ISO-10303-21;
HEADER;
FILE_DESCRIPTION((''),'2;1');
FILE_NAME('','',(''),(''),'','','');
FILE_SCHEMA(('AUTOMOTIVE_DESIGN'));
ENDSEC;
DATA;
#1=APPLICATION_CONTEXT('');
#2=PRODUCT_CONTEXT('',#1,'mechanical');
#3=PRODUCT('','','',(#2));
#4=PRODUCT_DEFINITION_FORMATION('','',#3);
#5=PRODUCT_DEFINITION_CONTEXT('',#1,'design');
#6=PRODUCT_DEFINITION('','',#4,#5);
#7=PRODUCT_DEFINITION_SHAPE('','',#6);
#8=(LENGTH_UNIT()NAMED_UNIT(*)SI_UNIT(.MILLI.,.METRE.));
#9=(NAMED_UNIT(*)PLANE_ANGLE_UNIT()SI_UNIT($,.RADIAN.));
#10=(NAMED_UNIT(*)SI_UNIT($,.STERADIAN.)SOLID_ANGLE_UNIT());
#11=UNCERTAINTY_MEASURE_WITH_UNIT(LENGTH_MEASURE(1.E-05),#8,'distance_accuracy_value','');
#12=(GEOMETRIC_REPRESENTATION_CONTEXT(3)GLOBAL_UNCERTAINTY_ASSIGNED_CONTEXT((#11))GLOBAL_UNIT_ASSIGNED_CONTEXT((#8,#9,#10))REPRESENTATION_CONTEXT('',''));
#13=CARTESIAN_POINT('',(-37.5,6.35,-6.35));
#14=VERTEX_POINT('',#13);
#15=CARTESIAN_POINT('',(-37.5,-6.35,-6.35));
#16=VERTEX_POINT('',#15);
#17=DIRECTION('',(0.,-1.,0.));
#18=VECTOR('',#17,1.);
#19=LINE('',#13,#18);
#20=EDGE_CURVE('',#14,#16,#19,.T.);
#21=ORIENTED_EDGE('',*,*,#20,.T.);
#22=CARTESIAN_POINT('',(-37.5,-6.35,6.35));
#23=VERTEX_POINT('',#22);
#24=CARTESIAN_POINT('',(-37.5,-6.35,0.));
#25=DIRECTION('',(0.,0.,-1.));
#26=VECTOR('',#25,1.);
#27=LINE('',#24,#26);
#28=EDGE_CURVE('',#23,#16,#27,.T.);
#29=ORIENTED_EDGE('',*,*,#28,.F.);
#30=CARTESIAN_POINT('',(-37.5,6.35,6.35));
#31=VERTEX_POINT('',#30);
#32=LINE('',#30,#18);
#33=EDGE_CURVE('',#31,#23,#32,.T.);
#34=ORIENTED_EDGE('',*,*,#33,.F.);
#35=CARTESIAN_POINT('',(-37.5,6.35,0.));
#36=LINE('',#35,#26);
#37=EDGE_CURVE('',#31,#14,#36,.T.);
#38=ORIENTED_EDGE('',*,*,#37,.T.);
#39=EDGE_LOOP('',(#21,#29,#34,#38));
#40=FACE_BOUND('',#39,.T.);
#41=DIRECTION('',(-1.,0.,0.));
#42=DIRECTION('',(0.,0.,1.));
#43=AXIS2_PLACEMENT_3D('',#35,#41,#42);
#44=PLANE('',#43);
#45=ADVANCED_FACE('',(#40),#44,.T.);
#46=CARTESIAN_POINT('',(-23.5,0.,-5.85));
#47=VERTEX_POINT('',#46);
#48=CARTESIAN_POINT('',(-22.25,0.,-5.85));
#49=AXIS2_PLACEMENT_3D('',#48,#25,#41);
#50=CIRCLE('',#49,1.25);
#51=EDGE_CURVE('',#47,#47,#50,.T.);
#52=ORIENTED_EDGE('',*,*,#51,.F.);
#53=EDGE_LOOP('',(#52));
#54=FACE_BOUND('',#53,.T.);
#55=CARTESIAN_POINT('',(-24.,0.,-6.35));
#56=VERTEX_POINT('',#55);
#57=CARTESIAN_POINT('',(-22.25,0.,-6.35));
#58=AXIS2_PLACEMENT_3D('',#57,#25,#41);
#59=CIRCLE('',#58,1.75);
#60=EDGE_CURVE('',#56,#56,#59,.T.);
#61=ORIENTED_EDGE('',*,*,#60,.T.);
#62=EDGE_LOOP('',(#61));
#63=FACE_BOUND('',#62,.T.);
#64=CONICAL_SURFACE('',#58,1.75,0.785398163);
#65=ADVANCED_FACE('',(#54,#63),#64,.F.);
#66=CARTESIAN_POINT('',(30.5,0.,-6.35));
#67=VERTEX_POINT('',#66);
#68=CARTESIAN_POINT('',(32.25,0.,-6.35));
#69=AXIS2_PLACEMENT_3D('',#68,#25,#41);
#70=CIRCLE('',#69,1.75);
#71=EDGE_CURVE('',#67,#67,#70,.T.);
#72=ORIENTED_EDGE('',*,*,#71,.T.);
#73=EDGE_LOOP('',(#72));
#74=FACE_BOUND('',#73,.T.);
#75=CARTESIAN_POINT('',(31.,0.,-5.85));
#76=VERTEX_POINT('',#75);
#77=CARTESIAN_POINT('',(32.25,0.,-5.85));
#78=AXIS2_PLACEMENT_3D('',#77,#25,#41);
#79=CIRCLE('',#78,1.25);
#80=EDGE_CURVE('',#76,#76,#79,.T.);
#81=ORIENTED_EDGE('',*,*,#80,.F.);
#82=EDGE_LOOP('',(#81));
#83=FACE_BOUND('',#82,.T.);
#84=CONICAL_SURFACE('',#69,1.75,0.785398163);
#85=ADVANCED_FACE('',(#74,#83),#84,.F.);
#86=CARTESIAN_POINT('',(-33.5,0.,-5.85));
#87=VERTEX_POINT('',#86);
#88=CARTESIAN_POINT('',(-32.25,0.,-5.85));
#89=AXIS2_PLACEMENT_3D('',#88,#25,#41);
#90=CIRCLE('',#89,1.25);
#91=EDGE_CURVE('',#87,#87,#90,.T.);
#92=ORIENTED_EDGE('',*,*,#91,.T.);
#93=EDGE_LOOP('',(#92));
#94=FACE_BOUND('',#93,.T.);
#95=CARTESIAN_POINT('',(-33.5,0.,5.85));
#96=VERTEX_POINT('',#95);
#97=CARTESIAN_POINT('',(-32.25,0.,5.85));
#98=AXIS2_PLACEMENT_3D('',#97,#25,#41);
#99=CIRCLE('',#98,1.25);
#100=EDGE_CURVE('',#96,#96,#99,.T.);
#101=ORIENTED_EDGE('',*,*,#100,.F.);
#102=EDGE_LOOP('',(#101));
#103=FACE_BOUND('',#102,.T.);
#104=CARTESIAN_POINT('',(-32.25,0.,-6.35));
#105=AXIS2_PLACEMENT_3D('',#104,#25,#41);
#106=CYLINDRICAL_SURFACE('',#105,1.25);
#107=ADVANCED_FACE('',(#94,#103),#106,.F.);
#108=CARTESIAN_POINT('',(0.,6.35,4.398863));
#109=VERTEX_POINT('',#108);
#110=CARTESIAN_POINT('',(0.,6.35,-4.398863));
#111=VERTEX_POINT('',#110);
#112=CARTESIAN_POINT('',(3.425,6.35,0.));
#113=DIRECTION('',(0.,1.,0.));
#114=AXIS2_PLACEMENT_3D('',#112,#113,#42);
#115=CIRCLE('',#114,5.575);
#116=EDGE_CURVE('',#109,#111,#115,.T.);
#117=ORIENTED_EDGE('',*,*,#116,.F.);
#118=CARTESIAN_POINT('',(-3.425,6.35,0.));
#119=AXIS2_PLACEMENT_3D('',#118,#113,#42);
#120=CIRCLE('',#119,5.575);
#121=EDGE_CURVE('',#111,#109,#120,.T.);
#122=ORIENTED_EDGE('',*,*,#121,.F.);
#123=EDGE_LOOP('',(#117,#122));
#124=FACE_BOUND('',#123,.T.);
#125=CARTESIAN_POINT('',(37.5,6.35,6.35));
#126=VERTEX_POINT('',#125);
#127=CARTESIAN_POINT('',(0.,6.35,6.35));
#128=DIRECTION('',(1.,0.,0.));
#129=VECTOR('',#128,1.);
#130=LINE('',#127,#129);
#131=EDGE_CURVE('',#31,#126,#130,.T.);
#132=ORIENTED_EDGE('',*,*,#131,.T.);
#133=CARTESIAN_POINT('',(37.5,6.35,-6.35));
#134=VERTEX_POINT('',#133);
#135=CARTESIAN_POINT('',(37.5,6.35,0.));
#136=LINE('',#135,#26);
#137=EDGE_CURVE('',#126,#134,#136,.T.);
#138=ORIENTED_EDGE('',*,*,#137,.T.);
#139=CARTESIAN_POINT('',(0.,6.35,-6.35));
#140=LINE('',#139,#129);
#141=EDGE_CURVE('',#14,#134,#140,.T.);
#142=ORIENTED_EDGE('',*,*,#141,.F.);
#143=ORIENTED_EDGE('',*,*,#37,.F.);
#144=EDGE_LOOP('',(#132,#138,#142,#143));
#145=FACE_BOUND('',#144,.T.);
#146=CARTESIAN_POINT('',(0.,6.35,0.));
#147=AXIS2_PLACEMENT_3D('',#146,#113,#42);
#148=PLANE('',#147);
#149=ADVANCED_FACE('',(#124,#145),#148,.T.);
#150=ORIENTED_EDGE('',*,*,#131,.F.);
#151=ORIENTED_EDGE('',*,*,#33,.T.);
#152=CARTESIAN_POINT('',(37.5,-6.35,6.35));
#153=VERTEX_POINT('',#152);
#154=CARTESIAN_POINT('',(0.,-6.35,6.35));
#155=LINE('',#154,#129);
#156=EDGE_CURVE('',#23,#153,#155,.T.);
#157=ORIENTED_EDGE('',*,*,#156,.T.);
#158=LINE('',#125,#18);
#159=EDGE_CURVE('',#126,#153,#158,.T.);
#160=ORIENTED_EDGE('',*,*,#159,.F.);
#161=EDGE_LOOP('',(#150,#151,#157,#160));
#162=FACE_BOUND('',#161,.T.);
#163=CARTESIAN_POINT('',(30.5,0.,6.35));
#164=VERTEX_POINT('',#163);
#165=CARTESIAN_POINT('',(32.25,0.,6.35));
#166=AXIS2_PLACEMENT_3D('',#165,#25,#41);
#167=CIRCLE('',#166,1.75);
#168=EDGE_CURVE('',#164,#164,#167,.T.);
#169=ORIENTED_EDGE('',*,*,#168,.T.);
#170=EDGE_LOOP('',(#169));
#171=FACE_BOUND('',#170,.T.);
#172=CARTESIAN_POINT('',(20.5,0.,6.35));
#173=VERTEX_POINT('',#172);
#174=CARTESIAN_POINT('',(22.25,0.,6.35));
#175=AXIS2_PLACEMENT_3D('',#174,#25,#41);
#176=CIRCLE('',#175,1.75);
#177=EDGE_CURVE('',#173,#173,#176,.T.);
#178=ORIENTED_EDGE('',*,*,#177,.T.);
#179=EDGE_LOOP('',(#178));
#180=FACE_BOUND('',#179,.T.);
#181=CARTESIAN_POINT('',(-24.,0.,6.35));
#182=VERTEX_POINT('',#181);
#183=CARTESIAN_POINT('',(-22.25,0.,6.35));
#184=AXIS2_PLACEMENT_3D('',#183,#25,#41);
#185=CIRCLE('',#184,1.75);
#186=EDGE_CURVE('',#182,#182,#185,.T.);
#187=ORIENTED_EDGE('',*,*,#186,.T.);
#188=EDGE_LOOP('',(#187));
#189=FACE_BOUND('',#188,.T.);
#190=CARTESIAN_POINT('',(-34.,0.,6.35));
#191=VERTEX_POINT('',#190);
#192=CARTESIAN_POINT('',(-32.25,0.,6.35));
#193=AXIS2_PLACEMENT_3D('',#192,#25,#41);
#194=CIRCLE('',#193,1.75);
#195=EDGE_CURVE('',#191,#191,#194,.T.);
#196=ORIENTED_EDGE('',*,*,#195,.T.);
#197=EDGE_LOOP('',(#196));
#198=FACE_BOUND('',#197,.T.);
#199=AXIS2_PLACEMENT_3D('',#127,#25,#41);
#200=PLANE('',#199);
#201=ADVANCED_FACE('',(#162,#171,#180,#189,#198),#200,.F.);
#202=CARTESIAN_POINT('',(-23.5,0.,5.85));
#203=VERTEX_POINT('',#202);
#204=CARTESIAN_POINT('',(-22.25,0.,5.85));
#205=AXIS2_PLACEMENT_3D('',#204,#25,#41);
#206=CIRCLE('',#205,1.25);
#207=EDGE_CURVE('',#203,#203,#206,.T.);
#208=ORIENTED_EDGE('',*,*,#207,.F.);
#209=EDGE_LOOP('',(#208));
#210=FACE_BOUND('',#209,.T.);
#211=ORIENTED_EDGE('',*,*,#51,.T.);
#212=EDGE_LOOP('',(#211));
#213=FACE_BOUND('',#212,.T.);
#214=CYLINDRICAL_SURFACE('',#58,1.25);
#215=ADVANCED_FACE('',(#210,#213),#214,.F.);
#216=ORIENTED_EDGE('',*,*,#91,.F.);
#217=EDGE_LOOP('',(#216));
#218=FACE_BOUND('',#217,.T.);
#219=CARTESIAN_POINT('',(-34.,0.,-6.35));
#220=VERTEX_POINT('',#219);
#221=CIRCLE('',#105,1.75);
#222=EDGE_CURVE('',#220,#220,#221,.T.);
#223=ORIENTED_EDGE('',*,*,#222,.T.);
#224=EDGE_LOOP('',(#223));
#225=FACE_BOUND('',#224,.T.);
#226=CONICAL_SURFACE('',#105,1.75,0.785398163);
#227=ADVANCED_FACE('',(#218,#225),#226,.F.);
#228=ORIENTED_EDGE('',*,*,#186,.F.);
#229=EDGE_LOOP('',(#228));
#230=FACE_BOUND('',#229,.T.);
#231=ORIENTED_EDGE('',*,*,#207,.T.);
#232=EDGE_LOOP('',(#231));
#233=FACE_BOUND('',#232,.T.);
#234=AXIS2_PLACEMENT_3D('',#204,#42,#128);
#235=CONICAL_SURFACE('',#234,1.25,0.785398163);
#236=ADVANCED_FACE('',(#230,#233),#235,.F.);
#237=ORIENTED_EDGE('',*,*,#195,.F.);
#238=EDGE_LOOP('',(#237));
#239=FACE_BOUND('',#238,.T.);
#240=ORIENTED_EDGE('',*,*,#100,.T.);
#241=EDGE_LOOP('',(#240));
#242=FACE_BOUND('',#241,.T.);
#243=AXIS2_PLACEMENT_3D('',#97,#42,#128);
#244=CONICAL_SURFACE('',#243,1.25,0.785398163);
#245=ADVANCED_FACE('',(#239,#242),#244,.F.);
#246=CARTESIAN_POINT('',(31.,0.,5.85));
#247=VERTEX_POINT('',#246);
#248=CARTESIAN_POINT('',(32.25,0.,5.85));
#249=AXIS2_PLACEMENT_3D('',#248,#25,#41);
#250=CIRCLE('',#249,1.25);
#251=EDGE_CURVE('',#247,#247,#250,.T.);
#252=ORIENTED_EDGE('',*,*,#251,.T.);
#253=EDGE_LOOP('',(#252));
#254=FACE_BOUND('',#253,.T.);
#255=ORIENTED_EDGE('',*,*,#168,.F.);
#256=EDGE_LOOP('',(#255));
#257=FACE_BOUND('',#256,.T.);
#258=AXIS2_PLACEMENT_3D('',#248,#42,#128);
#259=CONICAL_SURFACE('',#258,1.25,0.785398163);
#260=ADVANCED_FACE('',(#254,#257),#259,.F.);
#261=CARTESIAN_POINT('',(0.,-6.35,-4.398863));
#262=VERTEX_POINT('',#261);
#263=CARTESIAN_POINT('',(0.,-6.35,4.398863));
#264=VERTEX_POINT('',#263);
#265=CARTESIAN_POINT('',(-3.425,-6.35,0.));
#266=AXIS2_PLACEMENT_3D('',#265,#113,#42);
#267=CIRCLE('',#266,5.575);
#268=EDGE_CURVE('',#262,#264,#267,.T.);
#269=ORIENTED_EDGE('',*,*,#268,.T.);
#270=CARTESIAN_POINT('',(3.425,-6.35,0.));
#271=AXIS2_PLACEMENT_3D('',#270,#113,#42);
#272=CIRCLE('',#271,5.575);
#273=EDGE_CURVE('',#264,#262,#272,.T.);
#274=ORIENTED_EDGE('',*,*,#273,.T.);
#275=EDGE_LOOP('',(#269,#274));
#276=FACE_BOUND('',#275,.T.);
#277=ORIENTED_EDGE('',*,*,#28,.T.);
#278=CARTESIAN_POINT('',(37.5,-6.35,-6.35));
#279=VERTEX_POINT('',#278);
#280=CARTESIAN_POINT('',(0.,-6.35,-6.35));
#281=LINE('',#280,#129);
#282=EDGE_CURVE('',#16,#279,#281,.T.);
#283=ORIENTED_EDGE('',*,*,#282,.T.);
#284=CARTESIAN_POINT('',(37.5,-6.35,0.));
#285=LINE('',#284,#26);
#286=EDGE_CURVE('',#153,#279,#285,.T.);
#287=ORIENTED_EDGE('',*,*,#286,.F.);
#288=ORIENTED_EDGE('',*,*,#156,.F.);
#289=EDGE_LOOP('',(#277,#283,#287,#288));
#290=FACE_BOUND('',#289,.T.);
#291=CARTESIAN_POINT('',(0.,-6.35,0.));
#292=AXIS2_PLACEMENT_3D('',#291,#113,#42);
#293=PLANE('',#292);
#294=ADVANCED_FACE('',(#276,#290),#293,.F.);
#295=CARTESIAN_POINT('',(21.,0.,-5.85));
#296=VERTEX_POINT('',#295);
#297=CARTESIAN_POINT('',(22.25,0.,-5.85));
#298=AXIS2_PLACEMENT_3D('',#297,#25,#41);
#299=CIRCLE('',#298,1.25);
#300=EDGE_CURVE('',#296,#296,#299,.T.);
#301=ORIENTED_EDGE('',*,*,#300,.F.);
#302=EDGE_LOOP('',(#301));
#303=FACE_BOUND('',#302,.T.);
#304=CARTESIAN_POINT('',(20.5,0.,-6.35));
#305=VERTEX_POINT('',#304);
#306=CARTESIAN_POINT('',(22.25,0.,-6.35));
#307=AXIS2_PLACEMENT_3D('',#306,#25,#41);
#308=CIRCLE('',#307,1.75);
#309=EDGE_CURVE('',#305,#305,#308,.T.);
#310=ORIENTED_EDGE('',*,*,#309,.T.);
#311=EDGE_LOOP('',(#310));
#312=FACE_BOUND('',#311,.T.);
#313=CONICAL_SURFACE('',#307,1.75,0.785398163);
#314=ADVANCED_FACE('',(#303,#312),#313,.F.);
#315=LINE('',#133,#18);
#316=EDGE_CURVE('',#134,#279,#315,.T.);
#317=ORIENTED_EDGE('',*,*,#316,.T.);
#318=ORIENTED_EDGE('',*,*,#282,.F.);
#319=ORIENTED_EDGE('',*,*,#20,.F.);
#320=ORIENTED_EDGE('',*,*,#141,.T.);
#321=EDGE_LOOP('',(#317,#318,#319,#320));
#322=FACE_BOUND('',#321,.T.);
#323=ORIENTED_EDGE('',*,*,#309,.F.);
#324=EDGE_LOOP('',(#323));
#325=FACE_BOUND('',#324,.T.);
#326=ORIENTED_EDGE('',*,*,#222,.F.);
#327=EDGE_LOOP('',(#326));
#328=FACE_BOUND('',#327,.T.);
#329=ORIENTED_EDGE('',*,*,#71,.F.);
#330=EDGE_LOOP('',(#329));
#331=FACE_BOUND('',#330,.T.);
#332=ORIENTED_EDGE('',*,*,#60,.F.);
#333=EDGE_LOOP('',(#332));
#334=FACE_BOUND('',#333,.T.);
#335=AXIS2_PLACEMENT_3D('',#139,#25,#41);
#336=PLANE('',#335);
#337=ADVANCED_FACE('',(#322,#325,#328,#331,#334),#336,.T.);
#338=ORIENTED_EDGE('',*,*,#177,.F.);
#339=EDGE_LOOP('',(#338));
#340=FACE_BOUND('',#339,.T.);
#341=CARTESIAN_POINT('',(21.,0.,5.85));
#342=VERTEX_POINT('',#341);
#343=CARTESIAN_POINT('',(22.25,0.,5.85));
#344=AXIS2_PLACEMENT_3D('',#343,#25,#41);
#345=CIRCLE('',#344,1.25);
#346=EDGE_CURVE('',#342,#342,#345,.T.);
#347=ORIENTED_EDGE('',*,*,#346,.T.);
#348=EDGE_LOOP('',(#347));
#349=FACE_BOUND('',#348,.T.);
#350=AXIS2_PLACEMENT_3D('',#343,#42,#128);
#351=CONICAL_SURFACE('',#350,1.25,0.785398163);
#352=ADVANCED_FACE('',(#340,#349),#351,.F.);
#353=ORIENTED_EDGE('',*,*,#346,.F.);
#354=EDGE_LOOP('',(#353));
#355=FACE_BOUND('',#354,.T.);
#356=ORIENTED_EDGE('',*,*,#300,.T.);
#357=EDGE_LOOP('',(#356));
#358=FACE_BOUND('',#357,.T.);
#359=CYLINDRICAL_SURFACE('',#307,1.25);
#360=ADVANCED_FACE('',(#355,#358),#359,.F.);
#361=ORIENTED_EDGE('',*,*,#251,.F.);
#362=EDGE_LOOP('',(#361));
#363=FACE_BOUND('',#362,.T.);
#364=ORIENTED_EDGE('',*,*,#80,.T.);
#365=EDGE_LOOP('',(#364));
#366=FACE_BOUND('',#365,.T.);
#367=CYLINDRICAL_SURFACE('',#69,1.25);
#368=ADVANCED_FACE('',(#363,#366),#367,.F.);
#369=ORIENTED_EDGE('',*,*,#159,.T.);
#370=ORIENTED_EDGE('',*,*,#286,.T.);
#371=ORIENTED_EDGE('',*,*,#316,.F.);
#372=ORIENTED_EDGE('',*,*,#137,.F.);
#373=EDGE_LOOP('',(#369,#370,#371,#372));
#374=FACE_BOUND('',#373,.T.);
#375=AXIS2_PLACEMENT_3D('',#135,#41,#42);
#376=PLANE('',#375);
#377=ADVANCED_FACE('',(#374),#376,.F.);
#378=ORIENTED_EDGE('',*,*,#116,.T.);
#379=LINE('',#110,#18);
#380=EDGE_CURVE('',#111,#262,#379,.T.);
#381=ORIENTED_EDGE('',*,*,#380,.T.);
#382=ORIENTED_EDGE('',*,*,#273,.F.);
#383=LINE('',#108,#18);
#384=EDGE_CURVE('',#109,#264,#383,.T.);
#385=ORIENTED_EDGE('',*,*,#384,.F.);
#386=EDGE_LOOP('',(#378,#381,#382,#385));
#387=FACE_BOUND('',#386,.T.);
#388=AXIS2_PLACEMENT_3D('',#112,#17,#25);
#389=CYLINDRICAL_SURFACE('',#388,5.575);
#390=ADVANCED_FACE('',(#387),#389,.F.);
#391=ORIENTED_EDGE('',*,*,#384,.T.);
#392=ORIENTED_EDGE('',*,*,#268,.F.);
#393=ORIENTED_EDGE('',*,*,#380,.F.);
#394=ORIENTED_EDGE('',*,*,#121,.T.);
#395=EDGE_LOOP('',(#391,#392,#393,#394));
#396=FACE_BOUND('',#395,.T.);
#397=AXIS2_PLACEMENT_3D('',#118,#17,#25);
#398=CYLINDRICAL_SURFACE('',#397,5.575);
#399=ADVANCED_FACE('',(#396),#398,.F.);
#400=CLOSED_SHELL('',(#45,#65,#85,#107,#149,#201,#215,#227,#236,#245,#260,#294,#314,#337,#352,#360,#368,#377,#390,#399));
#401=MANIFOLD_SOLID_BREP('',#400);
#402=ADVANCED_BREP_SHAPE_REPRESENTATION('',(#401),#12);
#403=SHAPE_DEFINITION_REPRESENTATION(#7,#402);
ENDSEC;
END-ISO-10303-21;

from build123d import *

# Parameters (mm, degrees)
SKETCH1_W                  = 75
SKETCH1_H                  = 12.7
BOSS_EXTRUDE1_DEPTH        = 6.35
M3_TAPPED_HOLE1_AT_2_COUNT = 2
M3_TAPPED_HOLE1_AT_2_PITCH = 10
M3_TAPPED_HOLE1_AT_3_COUNT = 2
M3_TAPPED_HOLE1_AT_3_PITCH = 54.5
M3_TAPPED_HOLE1_AT_4_COUNT = 2
M3_TAPPED_HOLE1_AT_4_PITCH = 64.5


with BuildPart() as part:
    # Sketch1 → Boss-Extrude1 (new, symmetric)
    with BuildSketch(Plane(origin=(0, 0, 0), x_dir=(1, 0, 0), z_dir=(0, 1, 0))):
        Rectangle(SKETCH1_W, SKETCH1_H)
        with BuildLine():
            ThreePointArc((0, -4.39886349), (-9, 0), (0, 4.39886349))
            ThreePointArc((0, 4.39886349), (5.873085987, 5.008742357), (9, 0))
            ThreePointArc((9, 0), (5.873085987, -5.008742357), (0, -4.39886349))
        make_face(mode=Mode.SUBTRACT)
    extrude(amount=BOSS_EXTRUDE1_DEPTH, both=True)

    # Sketch5 → M3 Tapped Hole1 (revolve, cut)
    with BuildSketch(Plane(origin=(-32.25, 0, -6.35), x_dir=(0, 1, 0), z_dir=(1, 0, 0))):
        Polygon((0, 0), (0, 12.7), (1.75, 12.7), (1.25, 12.2), (1.25, 0.5), (1.75, 0), align=None)
    m3_tapped_hole1 = revolve(axis=Axis((-32.25, 0, -12.7), (0, 0, 1)), mode=Mode.SUBTRACT)

    # M3 Tapped Hole1 at 2: M3 Tapped Hole1 ×2
    with Locations(*[(i * M3_TAPPED_HOLE1_AT_2_PITCH, 0, 0) for i in range(1, M3_TAPPED_HOLE1_AT_2_COUNT)]):
        add(m3_tapped_hole1, mode=Mode.SUBTRACT)

    # M3 Tapped Hole1 at 3: M3 Tapped Hole1 ×2
    with Locations(*[(i * M3_TAPPED_HOLE1_AT_3_PITCH, 0, 0) for i in range(1, M3_TAPPED_HOLE1_AT_3_COUNT)]):
        add(m3_tapped_hole1, mode=Mode.SUBTRACT)

    # M3 Tapped Hole1 at 4: M3 Tapped Hole1 ×2
    with Locations(*[(i * M3_TAPPED_HOLE1_AT_4_PITCH, 0, 0) for i in range(1, M3_TAPPED_HOLE1_AT_4_COUNT)]):
        add(m3_tapped_hole1, mode=Mode.SUBTRACT)


solid = part.part
